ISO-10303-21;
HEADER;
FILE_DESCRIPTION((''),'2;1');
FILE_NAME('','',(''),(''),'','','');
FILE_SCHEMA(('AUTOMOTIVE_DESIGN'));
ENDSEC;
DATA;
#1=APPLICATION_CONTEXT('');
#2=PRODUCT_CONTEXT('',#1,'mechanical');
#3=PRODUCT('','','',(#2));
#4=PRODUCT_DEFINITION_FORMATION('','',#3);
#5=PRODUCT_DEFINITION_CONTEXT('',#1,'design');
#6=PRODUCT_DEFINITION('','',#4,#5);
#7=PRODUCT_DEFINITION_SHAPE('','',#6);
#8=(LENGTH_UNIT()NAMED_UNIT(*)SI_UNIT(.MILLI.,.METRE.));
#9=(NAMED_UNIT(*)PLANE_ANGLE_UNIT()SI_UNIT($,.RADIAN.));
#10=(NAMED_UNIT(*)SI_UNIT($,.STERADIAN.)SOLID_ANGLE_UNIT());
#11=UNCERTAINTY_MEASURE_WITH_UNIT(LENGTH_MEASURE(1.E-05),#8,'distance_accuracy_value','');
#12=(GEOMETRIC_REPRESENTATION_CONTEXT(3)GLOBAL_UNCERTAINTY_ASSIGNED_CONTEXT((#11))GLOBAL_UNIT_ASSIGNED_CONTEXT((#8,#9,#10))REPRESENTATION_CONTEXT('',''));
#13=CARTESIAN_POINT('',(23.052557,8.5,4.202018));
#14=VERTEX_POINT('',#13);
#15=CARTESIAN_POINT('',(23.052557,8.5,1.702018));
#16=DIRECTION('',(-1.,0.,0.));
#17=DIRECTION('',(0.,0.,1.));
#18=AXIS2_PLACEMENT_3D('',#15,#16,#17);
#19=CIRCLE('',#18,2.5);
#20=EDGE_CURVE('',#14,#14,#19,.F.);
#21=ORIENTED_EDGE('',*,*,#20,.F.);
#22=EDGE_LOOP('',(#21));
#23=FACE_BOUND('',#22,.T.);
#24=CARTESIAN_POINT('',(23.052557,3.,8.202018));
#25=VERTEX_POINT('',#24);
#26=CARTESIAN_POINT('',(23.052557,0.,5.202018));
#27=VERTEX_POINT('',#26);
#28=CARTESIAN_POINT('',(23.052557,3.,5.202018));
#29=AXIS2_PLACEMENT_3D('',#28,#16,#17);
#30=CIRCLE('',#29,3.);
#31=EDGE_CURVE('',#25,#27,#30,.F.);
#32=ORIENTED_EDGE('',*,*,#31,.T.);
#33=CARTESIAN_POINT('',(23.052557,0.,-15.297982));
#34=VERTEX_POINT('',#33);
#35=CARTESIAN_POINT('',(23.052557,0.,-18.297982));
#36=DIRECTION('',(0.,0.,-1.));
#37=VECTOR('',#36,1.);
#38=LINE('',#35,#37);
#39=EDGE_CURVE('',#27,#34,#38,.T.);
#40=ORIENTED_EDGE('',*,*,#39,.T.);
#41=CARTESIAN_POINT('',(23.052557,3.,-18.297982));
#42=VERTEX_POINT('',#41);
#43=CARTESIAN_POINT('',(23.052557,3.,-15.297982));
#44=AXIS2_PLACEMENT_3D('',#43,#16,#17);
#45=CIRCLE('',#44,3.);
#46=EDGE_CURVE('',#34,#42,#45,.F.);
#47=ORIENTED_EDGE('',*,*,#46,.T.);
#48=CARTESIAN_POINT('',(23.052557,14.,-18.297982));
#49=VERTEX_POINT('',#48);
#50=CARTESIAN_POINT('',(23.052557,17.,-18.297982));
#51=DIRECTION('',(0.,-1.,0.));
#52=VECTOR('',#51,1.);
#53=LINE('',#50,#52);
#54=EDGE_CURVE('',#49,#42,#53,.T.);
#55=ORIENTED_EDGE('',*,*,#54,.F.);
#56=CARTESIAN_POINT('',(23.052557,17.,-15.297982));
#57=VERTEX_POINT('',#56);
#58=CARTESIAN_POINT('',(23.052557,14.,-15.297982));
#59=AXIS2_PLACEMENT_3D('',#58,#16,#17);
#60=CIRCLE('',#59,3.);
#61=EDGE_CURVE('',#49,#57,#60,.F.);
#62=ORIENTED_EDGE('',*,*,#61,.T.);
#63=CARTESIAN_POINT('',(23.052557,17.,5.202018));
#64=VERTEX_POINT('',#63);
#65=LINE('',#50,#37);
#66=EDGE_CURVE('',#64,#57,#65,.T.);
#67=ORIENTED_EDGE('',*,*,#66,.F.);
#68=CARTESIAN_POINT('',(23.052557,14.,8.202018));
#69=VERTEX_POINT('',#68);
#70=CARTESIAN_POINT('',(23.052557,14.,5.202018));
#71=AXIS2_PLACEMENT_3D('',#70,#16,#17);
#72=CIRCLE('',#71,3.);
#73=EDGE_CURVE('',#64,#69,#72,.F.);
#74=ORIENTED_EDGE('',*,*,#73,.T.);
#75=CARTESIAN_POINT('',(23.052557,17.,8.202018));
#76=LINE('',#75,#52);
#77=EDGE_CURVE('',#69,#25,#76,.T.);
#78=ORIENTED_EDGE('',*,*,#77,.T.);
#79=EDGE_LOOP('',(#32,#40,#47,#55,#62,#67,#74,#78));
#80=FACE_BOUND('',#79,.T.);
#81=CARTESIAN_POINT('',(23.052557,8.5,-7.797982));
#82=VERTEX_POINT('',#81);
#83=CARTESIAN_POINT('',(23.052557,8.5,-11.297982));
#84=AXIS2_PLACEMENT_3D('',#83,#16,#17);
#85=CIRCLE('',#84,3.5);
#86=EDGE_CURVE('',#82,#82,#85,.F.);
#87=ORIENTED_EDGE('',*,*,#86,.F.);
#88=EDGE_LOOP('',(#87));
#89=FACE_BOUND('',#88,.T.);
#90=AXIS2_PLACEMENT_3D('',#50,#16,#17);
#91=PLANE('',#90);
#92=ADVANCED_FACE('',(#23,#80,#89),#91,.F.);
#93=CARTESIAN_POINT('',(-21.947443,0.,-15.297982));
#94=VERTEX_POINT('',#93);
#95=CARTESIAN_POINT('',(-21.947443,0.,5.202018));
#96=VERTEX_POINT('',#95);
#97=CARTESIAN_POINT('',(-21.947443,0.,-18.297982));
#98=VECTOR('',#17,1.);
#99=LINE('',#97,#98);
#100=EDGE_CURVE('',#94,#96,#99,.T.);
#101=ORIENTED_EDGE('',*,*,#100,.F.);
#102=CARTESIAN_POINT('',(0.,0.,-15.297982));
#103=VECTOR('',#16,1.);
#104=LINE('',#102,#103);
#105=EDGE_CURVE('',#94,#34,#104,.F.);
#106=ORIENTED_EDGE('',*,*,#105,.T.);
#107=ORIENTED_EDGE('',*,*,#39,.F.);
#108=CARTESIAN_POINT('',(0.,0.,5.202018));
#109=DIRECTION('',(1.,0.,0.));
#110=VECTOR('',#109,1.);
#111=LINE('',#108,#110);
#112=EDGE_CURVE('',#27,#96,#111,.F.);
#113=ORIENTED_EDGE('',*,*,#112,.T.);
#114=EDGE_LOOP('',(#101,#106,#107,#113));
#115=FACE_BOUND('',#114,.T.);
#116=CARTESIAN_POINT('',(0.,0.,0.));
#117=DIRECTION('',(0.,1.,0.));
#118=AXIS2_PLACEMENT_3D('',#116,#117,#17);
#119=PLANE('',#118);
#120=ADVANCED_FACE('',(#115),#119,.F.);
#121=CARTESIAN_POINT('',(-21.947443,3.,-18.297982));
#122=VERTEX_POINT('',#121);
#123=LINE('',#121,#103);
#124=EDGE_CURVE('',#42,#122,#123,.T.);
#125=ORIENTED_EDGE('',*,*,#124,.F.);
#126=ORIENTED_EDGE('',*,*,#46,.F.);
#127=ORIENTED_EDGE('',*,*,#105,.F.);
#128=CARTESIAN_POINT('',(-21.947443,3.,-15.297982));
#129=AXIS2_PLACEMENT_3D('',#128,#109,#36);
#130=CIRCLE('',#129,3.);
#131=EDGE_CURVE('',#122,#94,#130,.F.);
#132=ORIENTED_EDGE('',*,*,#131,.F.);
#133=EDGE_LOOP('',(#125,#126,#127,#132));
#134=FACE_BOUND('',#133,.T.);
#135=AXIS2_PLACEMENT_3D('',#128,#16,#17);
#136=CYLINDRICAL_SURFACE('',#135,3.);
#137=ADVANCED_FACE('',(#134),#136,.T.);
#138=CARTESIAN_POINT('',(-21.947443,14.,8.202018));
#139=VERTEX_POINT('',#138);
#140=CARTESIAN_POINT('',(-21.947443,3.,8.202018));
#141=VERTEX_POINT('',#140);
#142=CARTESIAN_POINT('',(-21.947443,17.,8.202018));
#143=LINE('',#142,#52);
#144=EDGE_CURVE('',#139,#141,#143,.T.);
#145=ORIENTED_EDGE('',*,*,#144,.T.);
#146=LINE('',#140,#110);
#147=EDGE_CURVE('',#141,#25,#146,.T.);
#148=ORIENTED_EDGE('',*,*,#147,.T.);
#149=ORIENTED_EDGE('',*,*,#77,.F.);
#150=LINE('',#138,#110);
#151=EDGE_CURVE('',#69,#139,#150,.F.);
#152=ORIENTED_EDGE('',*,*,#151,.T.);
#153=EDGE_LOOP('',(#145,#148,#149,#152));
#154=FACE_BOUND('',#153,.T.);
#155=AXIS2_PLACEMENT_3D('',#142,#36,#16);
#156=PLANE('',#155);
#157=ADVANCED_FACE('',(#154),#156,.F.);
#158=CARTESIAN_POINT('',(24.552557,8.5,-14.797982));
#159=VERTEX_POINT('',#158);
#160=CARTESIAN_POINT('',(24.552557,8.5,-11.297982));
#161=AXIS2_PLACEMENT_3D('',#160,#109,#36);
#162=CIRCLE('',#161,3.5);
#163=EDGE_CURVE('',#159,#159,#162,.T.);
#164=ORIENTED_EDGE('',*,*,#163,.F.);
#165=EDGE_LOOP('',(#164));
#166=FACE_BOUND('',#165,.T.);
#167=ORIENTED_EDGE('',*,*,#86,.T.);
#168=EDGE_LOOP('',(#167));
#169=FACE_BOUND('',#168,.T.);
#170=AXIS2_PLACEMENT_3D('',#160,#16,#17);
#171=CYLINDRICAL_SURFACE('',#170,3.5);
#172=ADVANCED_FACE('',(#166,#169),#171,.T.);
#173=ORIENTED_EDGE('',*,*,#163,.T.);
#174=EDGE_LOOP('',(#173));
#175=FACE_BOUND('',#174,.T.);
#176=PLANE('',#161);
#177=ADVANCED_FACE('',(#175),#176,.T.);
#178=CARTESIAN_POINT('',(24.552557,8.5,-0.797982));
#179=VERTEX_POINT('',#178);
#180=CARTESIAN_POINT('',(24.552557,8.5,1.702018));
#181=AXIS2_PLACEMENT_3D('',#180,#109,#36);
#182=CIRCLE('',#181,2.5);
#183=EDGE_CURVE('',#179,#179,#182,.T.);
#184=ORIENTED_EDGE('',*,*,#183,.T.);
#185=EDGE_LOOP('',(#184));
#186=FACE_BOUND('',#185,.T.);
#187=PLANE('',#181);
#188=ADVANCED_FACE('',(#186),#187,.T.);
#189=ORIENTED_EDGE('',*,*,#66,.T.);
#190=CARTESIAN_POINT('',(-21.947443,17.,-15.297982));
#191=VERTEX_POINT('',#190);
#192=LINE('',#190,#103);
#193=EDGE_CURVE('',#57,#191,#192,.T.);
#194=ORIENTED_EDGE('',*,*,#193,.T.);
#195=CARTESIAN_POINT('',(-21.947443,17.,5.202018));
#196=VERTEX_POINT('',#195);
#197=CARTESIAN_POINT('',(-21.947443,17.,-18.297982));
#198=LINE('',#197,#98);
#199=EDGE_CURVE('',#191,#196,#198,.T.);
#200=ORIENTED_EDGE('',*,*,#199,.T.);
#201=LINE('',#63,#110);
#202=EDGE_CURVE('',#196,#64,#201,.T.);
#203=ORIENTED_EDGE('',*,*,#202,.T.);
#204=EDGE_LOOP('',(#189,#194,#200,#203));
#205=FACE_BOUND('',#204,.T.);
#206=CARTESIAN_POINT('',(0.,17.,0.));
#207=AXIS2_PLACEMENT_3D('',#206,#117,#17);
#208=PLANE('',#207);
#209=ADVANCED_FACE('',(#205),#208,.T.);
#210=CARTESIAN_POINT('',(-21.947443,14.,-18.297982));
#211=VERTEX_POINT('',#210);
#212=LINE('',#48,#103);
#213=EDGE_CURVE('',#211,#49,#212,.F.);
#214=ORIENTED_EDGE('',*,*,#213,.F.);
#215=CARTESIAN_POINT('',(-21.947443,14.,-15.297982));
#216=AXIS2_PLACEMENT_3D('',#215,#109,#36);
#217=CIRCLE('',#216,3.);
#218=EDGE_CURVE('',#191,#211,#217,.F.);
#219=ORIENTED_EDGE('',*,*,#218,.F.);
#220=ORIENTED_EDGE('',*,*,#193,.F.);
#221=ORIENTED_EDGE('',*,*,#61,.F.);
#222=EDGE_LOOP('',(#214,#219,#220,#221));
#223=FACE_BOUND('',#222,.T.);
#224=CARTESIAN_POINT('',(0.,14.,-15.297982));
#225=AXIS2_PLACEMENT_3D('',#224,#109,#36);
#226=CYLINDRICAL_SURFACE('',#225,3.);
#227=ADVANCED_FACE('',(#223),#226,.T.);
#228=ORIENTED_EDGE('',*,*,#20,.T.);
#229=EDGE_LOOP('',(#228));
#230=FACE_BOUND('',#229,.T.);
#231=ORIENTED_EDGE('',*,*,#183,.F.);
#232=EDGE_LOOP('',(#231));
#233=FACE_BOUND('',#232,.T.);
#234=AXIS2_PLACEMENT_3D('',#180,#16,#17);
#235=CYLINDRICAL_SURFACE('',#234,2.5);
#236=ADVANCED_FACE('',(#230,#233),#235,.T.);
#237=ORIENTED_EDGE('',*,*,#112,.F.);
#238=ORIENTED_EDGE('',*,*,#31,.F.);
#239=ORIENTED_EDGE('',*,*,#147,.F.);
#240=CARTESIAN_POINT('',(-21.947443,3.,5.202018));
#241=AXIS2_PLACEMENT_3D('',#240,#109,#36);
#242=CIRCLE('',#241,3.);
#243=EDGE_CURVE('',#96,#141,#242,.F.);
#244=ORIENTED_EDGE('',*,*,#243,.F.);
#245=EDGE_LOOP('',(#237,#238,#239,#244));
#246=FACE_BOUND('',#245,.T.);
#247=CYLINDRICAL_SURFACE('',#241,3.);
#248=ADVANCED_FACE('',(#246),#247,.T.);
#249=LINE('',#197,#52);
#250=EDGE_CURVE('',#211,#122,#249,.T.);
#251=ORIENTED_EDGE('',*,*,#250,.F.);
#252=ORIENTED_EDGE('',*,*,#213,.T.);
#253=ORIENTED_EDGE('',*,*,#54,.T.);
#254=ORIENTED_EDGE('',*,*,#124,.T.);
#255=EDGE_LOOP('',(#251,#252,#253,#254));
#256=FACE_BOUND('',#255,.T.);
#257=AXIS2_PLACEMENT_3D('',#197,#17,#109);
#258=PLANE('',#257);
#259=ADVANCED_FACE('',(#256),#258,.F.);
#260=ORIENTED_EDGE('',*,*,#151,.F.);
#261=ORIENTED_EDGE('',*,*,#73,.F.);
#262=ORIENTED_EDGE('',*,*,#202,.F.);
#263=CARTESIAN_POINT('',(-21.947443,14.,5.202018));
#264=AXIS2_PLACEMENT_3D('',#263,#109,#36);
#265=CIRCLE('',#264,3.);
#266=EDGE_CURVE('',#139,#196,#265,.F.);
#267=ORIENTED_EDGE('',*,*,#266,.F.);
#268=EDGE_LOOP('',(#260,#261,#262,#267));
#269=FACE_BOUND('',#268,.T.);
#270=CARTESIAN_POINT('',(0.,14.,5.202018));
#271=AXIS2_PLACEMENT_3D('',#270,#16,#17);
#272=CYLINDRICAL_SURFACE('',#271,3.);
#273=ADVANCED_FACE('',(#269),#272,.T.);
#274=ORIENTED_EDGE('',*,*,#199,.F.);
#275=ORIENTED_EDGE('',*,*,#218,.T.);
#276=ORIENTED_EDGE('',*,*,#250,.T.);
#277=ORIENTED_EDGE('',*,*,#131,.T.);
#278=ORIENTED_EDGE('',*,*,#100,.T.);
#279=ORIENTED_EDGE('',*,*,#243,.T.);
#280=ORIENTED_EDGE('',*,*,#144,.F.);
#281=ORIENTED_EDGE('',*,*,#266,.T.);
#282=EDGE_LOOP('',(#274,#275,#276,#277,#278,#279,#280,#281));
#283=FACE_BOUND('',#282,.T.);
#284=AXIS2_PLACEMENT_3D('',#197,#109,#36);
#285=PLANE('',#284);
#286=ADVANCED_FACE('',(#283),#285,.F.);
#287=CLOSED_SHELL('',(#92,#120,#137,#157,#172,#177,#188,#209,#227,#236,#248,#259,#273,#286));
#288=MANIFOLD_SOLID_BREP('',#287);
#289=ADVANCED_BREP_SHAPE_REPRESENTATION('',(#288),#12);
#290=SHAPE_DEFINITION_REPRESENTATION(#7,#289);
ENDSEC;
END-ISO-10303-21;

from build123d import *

# Parameters (mm, degrees)
SKETCH1_W           = 45
SKETCH1_H           = 26.5
BOSS_EXTRUDE1_DEPTH = 17
FILLET1_R           = 3
SKETCH2_R           = 3.5
SKETCH2_R_2         = 2.5
BOSS_EXTRUDE2_DEPTH = 1.5


with BuildPart() as part:
    # Sketch1 → Boss-Extrude1 (new body)
    with BuildSketch(Plane(origin=(0, 0, 0), x_dir=(1, 0, 0), z_dir=(0, 1, 0))):
        with Locations((0.552556883, 5.047981579)):
            Rectangle(SKETCH1_W, SKETCH1_H)
    extrude(amount=BOSS_EXTRUDE1_DEPTH)

    # Fillet1
    fillet1_edges = [part.edges().sort_by_distance(p)[0] for p in [
        (0.552556883, 17, -18.297981579),
        (0.552556883, 0, -18.297981579),
        (0.552556883, 0, 8.202018421),
        (0.552556883, 17, 8.202018421),
    ]]
    fillet(fillet1_edges, radius=FILLET1_R)

    # Sketch2 → Boss-Extrude2 (add)
    with BuildSketch(Plane(origin=(23.052556883, 0, 0), x_dir=(0, 0, -1), z_dir=(1, 0, 0))):
        with Locations(Location((11.297981579, 8.5, 0), (0, 0, 180))):
            Circle(SKETCH2_R)
        with Locations(Location((-1.702018421, 8.5, 0), (0, 0, 180))):
            Circle(SKETCH2_R_2)
    extrude(amount=BOSS_EXTRUDE2_DEPTH)


solid = part.part
